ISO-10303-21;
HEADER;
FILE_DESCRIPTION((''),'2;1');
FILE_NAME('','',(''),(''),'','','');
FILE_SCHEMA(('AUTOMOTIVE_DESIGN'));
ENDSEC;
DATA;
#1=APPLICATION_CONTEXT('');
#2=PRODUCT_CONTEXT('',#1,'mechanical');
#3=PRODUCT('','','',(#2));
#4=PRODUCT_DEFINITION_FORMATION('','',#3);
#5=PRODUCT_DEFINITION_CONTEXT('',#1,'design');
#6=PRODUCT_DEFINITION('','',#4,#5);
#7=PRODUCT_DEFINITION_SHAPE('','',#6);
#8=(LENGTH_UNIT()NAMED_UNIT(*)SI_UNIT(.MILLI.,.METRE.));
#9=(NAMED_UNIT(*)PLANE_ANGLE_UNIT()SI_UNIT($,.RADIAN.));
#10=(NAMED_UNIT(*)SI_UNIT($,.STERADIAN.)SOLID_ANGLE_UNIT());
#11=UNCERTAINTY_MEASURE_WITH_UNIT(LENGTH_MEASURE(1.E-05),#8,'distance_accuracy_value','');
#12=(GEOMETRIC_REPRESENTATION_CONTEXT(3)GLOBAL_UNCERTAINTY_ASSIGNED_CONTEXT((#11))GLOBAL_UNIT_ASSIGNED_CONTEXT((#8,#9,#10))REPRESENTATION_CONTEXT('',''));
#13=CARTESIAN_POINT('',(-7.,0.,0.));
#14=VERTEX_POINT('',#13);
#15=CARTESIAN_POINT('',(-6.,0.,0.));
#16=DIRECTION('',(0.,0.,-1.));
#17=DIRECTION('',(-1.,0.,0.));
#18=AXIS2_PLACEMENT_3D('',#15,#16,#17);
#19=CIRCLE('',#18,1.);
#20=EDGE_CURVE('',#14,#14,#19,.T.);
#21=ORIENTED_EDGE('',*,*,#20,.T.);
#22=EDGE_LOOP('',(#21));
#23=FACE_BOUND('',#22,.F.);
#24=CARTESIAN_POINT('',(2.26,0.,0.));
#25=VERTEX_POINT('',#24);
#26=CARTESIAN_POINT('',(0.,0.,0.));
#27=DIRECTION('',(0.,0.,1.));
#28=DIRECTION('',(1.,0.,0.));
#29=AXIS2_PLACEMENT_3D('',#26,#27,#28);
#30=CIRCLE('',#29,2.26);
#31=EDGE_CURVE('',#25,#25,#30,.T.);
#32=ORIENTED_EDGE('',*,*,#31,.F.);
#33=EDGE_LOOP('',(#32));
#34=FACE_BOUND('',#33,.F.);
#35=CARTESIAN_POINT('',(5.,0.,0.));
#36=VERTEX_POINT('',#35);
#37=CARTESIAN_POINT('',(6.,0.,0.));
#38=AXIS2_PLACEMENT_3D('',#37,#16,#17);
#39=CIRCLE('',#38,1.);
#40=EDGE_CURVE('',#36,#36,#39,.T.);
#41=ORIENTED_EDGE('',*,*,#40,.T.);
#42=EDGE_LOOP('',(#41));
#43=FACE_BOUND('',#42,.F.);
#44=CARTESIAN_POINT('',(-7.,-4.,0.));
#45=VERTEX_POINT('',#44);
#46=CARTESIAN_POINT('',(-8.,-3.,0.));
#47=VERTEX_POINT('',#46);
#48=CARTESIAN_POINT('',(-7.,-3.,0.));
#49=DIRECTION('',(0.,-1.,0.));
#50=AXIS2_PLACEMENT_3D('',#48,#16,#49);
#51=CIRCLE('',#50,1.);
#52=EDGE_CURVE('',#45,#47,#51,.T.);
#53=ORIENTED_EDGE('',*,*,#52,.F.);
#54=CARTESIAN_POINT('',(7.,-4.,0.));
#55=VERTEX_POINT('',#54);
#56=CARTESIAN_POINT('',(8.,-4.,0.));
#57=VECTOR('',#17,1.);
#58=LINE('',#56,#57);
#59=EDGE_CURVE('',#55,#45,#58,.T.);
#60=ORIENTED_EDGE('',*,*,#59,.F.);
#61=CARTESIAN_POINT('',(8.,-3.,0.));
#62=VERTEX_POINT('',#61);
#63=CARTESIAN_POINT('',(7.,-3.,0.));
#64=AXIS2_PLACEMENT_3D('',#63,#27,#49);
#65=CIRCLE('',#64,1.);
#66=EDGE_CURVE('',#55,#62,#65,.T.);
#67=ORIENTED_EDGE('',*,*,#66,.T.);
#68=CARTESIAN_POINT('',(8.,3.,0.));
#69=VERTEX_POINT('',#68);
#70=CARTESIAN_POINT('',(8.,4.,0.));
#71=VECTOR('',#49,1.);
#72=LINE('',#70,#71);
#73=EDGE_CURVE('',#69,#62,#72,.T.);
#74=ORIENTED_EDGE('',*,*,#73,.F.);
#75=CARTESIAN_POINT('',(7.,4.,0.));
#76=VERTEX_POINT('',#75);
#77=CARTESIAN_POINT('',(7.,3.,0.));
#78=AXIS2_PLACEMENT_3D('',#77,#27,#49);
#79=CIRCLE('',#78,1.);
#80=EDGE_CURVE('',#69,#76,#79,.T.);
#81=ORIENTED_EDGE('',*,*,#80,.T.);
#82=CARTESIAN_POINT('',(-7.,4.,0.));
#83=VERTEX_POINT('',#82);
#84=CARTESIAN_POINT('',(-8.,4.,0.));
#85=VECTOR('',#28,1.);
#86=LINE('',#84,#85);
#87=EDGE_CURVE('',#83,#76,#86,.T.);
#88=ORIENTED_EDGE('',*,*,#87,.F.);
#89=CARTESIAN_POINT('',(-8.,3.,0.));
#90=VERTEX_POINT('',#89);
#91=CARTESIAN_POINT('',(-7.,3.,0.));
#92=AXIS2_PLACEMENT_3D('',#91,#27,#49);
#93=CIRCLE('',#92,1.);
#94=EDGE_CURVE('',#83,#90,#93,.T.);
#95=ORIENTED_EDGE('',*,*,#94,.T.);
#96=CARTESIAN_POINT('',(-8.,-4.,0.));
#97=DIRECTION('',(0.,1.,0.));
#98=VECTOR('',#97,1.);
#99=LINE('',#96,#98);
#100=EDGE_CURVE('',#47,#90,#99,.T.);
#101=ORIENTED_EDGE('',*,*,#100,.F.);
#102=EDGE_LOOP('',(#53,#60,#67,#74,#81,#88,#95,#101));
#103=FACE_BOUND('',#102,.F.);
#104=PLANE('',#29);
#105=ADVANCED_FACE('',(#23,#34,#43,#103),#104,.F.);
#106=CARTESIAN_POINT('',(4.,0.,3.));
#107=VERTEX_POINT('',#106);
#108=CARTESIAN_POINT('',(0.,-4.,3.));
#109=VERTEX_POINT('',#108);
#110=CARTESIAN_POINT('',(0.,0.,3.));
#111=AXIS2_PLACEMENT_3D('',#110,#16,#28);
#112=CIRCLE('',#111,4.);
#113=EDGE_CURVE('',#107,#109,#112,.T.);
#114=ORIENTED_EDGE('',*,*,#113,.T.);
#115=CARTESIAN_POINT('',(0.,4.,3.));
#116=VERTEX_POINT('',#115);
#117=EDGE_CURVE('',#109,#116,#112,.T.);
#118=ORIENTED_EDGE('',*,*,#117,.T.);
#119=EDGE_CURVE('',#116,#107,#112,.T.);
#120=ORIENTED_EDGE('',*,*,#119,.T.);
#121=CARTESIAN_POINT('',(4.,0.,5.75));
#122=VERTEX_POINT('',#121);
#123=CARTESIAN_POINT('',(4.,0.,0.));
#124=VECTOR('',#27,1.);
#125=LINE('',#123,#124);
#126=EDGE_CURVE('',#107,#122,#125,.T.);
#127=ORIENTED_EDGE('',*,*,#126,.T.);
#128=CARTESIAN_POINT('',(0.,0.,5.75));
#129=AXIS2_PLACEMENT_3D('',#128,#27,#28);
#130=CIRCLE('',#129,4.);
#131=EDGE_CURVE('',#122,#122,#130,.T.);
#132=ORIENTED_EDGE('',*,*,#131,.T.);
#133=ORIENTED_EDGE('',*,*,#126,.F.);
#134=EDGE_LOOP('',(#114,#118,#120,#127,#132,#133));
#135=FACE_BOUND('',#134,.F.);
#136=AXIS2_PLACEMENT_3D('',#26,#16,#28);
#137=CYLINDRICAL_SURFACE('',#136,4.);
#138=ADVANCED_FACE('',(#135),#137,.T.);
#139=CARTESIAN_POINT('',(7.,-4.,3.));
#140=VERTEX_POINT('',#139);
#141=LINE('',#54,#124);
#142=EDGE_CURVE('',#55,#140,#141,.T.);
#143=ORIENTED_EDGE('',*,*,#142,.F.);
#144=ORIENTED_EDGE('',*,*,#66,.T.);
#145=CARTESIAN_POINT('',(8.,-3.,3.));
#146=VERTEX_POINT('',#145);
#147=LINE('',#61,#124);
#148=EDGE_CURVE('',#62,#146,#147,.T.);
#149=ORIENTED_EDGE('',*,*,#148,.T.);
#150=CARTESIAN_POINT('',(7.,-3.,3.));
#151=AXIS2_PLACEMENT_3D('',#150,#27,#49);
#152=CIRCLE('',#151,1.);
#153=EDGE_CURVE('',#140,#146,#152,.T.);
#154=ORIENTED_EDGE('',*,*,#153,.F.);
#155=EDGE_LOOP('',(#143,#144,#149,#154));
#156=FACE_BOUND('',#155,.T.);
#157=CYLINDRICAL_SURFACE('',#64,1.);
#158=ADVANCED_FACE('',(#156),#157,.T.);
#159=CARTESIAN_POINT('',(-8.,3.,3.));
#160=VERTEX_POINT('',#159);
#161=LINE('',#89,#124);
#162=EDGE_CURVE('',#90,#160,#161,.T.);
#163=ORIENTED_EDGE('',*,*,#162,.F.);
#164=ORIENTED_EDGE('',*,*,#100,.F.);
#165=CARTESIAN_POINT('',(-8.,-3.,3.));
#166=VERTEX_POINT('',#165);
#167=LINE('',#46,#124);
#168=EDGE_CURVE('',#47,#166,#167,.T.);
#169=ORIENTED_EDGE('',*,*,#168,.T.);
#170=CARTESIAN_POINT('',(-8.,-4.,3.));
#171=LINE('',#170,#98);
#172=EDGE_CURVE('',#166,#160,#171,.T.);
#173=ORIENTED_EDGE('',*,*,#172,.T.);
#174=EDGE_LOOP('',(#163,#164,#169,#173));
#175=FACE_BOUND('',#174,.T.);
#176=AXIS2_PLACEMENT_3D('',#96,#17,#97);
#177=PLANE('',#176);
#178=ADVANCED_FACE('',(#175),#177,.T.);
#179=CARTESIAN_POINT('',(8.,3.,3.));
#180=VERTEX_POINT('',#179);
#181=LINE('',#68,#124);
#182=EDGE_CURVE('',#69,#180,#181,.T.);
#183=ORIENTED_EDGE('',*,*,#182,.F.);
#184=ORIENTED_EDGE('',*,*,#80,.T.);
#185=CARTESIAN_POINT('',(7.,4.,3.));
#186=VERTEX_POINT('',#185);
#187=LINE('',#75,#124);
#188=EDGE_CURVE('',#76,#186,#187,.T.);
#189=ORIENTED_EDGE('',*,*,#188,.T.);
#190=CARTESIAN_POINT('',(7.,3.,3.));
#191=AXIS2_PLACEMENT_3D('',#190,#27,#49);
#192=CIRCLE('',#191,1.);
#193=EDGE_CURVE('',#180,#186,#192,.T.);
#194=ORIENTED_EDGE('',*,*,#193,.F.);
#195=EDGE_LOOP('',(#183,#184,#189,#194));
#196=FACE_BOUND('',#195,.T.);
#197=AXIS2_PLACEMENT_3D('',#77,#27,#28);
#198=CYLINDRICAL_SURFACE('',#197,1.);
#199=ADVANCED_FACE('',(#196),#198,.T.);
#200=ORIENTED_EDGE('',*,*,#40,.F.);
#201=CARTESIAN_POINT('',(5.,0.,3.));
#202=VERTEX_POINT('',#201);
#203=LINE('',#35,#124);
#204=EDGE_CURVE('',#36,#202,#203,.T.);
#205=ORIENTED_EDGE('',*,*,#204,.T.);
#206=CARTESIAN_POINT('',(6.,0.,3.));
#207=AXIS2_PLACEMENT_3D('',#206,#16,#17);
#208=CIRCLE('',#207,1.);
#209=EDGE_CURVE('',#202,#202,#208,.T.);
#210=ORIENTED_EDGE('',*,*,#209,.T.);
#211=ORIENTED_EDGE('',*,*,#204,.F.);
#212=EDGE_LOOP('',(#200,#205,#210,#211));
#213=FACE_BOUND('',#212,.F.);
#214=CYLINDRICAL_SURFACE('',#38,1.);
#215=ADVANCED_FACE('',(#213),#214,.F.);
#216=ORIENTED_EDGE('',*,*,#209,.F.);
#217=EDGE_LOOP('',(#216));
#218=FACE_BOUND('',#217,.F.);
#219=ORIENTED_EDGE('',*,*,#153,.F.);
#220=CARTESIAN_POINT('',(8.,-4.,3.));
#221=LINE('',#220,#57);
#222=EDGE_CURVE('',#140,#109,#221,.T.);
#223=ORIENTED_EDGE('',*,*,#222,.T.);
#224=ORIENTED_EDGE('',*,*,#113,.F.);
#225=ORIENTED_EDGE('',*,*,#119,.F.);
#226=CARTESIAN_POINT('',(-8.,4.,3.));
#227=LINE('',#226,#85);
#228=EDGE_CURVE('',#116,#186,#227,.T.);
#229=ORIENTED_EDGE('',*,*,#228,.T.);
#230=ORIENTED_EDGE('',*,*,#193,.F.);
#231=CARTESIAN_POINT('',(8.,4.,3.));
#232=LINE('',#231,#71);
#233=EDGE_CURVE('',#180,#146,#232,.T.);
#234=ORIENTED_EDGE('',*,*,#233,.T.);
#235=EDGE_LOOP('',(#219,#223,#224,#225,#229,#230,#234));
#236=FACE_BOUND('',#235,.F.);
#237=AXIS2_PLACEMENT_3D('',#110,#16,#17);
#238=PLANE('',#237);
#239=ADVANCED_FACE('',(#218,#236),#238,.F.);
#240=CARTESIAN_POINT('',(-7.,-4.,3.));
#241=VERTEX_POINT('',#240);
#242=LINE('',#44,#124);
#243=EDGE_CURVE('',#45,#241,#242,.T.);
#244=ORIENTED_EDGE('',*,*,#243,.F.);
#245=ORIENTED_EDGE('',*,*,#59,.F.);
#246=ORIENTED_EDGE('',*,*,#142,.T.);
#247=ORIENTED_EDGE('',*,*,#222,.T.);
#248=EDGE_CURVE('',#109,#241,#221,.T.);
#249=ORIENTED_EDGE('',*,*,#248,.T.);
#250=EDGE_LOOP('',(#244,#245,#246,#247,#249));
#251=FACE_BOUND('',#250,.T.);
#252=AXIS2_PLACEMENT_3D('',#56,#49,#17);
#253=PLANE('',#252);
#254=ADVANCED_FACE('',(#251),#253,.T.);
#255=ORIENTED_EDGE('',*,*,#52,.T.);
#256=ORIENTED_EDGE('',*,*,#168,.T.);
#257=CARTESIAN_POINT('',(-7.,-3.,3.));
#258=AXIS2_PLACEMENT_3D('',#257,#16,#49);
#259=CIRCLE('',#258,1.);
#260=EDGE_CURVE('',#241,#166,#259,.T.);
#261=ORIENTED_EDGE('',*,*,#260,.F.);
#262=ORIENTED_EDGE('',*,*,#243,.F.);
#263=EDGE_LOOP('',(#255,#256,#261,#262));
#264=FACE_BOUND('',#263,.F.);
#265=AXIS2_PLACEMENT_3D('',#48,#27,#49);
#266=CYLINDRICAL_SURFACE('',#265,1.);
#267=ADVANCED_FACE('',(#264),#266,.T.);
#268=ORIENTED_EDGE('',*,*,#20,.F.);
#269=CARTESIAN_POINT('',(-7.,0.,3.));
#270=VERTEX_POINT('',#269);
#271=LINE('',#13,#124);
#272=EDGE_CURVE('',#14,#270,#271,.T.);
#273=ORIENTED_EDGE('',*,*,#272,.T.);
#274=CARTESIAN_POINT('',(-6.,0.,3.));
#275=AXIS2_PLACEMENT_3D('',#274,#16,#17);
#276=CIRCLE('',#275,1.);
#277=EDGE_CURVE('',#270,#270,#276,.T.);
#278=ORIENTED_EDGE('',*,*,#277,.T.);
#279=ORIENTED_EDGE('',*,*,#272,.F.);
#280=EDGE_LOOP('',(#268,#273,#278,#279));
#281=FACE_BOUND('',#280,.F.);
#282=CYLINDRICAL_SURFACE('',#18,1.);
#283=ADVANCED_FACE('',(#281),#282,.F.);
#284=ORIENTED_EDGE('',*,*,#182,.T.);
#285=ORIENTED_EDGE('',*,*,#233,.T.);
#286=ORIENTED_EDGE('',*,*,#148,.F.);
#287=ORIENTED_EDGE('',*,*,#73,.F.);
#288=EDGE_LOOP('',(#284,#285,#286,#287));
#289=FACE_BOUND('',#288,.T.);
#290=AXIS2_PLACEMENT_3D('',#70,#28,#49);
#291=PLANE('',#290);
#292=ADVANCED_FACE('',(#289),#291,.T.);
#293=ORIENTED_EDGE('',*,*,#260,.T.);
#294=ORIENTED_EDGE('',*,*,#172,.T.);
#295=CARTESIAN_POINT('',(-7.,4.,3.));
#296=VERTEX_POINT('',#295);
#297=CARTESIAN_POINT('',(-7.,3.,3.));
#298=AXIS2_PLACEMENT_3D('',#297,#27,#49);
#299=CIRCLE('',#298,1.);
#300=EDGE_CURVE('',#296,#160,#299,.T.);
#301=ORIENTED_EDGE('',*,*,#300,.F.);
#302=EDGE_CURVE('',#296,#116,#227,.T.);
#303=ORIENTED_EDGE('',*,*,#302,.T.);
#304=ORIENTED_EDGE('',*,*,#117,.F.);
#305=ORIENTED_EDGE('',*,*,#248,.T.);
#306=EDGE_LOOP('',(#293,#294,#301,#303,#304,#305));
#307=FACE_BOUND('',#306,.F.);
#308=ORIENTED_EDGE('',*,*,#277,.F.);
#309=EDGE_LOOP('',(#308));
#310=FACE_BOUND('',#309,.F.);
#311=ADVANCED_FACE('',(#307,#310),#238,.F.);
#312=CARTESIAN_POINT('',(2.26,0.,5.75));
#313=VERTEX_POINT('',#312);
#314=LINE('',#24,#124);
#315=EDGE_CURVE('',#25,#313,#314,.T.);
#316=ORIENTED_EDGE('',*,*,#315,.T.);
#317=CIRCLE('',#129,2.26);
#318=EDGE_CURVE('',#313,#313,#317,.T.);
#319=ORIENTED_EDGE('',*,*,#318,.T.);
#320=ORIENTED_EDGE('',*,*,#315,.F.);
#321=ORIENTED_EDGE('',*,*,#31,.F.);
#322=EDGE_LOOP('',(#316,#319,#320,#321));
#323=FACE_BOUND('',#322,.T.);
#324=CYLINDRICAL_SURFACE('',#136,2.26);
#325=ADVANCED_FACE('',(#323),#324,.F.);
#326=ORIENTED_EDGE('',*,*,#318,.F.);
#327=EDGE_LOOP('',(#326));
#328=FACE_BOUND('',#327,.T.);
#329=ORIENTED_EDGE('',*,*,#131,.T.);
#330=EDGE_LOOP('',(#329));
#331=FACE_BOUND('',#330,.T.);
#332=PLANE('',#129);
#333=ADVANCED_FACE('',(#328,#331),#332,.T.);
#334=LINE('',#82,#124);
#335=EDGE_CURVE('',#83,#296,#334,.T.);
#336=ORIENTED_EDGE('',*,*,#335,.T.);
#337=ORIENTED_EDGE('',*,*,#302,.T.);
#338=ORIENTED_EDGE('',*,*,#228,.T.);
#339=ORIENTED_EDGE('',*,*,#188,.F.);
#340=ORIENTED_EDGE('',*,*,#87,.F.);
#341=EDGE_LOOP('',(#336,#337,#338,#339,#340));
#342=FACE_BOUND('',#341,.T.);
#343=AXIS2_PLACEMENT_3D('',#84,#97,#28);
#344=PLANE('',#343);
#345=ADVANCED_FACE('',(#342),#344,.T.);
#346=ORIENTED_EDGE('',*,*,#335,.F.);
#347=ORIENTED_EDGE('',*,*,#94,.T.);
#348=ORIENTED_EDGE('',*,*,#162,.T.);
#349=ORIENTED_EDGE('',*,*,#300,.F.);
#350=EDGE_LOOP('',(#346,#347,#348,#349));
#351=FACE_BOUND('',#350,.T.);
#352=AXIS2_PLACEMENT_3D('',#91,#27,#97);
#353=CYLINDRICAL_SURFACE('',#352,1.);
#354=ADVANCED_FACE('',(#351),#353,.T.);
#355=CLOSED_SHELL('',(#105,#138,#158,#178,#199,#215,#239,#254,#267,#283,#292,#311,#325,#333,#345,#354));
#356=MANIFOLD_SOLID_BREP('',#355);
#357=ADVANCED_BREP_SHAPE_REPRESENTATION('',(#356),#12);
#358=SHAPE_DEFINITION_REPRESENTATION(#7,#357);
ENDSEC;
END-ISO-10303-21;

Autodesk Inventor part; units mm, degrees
ref_plane "YZ Plane" through (0, 0, 0) normal (1, 0, 0) x (0, 1, 0)
ref_plane "XZ Plane" through (0, 0, 0) normal (0, 1, 0) x (-1, 0, 0)
ref_plane "XY Plane" through (0, 0, 0) normal (0, 0, 1) x (1, 0, 0)
sketch "Sketch1" plane through (0, 0, 0) normal (0, 0, 1) x (1, 0, 0)
  circle A0 centre (0, 0) radius 4
  circle A1 centre (0, 0) radius 2.26
  dimension "d0" = 8
  dimension "d1" = 4.52
extrude "Extrusion1" add sketch "Sketch1" along normal blind 5.75
sketch "Sketch2" plane through (0, 0, 0) normal (0, 0, -1) x (-1, 0, 0)
  circle A0 centre (0, 0) radius 2.26 projected
  circle A1 centre (6, 0) radius 1
  circle A2 centre (-6, 0) radius 1
  line L0 (8, 4) -> (-8, 4)
  line L1 (-8, 4) -> (-8, -4)
  line L2 (-8, -4) -> (8, -4)
  line L3 (8, -4) -> (8, 4)
  line L4 (8, 4) -> (-8, -4) construction
  line L5 (-8, 4) -> (8, -4) construction
  dimension "d7" = 2
  dimension "d8" = 2
  dimension "d9" = 6
  dimension "d10" = 6
  dimension "d11" = 0
  dimension "d12" = 0
  dimension "d19" = 16
  dimension "d20" = 8
extrude "Extrusion2" add sketch "Sketch2" against normal blind 3
fillet "Fillet1" radius 1 4 edges at (8, 4, 1.5) (8, -4, 1.5) (-8, -4, 1.5) (-8, 4, 1.5)
equation "\"d29\" = 55deg"
equation "\"Sketch3_Pitch\" = 0.8"
equation "\"d47\" = 55deg"
equation "\"Sketch5_Pitch\" = 0.4"
equation "\"d65\" = 55deg"
equation "\"Sketch7_Pitch\" = 0.4"
properties part number "M5Nut_Special"
